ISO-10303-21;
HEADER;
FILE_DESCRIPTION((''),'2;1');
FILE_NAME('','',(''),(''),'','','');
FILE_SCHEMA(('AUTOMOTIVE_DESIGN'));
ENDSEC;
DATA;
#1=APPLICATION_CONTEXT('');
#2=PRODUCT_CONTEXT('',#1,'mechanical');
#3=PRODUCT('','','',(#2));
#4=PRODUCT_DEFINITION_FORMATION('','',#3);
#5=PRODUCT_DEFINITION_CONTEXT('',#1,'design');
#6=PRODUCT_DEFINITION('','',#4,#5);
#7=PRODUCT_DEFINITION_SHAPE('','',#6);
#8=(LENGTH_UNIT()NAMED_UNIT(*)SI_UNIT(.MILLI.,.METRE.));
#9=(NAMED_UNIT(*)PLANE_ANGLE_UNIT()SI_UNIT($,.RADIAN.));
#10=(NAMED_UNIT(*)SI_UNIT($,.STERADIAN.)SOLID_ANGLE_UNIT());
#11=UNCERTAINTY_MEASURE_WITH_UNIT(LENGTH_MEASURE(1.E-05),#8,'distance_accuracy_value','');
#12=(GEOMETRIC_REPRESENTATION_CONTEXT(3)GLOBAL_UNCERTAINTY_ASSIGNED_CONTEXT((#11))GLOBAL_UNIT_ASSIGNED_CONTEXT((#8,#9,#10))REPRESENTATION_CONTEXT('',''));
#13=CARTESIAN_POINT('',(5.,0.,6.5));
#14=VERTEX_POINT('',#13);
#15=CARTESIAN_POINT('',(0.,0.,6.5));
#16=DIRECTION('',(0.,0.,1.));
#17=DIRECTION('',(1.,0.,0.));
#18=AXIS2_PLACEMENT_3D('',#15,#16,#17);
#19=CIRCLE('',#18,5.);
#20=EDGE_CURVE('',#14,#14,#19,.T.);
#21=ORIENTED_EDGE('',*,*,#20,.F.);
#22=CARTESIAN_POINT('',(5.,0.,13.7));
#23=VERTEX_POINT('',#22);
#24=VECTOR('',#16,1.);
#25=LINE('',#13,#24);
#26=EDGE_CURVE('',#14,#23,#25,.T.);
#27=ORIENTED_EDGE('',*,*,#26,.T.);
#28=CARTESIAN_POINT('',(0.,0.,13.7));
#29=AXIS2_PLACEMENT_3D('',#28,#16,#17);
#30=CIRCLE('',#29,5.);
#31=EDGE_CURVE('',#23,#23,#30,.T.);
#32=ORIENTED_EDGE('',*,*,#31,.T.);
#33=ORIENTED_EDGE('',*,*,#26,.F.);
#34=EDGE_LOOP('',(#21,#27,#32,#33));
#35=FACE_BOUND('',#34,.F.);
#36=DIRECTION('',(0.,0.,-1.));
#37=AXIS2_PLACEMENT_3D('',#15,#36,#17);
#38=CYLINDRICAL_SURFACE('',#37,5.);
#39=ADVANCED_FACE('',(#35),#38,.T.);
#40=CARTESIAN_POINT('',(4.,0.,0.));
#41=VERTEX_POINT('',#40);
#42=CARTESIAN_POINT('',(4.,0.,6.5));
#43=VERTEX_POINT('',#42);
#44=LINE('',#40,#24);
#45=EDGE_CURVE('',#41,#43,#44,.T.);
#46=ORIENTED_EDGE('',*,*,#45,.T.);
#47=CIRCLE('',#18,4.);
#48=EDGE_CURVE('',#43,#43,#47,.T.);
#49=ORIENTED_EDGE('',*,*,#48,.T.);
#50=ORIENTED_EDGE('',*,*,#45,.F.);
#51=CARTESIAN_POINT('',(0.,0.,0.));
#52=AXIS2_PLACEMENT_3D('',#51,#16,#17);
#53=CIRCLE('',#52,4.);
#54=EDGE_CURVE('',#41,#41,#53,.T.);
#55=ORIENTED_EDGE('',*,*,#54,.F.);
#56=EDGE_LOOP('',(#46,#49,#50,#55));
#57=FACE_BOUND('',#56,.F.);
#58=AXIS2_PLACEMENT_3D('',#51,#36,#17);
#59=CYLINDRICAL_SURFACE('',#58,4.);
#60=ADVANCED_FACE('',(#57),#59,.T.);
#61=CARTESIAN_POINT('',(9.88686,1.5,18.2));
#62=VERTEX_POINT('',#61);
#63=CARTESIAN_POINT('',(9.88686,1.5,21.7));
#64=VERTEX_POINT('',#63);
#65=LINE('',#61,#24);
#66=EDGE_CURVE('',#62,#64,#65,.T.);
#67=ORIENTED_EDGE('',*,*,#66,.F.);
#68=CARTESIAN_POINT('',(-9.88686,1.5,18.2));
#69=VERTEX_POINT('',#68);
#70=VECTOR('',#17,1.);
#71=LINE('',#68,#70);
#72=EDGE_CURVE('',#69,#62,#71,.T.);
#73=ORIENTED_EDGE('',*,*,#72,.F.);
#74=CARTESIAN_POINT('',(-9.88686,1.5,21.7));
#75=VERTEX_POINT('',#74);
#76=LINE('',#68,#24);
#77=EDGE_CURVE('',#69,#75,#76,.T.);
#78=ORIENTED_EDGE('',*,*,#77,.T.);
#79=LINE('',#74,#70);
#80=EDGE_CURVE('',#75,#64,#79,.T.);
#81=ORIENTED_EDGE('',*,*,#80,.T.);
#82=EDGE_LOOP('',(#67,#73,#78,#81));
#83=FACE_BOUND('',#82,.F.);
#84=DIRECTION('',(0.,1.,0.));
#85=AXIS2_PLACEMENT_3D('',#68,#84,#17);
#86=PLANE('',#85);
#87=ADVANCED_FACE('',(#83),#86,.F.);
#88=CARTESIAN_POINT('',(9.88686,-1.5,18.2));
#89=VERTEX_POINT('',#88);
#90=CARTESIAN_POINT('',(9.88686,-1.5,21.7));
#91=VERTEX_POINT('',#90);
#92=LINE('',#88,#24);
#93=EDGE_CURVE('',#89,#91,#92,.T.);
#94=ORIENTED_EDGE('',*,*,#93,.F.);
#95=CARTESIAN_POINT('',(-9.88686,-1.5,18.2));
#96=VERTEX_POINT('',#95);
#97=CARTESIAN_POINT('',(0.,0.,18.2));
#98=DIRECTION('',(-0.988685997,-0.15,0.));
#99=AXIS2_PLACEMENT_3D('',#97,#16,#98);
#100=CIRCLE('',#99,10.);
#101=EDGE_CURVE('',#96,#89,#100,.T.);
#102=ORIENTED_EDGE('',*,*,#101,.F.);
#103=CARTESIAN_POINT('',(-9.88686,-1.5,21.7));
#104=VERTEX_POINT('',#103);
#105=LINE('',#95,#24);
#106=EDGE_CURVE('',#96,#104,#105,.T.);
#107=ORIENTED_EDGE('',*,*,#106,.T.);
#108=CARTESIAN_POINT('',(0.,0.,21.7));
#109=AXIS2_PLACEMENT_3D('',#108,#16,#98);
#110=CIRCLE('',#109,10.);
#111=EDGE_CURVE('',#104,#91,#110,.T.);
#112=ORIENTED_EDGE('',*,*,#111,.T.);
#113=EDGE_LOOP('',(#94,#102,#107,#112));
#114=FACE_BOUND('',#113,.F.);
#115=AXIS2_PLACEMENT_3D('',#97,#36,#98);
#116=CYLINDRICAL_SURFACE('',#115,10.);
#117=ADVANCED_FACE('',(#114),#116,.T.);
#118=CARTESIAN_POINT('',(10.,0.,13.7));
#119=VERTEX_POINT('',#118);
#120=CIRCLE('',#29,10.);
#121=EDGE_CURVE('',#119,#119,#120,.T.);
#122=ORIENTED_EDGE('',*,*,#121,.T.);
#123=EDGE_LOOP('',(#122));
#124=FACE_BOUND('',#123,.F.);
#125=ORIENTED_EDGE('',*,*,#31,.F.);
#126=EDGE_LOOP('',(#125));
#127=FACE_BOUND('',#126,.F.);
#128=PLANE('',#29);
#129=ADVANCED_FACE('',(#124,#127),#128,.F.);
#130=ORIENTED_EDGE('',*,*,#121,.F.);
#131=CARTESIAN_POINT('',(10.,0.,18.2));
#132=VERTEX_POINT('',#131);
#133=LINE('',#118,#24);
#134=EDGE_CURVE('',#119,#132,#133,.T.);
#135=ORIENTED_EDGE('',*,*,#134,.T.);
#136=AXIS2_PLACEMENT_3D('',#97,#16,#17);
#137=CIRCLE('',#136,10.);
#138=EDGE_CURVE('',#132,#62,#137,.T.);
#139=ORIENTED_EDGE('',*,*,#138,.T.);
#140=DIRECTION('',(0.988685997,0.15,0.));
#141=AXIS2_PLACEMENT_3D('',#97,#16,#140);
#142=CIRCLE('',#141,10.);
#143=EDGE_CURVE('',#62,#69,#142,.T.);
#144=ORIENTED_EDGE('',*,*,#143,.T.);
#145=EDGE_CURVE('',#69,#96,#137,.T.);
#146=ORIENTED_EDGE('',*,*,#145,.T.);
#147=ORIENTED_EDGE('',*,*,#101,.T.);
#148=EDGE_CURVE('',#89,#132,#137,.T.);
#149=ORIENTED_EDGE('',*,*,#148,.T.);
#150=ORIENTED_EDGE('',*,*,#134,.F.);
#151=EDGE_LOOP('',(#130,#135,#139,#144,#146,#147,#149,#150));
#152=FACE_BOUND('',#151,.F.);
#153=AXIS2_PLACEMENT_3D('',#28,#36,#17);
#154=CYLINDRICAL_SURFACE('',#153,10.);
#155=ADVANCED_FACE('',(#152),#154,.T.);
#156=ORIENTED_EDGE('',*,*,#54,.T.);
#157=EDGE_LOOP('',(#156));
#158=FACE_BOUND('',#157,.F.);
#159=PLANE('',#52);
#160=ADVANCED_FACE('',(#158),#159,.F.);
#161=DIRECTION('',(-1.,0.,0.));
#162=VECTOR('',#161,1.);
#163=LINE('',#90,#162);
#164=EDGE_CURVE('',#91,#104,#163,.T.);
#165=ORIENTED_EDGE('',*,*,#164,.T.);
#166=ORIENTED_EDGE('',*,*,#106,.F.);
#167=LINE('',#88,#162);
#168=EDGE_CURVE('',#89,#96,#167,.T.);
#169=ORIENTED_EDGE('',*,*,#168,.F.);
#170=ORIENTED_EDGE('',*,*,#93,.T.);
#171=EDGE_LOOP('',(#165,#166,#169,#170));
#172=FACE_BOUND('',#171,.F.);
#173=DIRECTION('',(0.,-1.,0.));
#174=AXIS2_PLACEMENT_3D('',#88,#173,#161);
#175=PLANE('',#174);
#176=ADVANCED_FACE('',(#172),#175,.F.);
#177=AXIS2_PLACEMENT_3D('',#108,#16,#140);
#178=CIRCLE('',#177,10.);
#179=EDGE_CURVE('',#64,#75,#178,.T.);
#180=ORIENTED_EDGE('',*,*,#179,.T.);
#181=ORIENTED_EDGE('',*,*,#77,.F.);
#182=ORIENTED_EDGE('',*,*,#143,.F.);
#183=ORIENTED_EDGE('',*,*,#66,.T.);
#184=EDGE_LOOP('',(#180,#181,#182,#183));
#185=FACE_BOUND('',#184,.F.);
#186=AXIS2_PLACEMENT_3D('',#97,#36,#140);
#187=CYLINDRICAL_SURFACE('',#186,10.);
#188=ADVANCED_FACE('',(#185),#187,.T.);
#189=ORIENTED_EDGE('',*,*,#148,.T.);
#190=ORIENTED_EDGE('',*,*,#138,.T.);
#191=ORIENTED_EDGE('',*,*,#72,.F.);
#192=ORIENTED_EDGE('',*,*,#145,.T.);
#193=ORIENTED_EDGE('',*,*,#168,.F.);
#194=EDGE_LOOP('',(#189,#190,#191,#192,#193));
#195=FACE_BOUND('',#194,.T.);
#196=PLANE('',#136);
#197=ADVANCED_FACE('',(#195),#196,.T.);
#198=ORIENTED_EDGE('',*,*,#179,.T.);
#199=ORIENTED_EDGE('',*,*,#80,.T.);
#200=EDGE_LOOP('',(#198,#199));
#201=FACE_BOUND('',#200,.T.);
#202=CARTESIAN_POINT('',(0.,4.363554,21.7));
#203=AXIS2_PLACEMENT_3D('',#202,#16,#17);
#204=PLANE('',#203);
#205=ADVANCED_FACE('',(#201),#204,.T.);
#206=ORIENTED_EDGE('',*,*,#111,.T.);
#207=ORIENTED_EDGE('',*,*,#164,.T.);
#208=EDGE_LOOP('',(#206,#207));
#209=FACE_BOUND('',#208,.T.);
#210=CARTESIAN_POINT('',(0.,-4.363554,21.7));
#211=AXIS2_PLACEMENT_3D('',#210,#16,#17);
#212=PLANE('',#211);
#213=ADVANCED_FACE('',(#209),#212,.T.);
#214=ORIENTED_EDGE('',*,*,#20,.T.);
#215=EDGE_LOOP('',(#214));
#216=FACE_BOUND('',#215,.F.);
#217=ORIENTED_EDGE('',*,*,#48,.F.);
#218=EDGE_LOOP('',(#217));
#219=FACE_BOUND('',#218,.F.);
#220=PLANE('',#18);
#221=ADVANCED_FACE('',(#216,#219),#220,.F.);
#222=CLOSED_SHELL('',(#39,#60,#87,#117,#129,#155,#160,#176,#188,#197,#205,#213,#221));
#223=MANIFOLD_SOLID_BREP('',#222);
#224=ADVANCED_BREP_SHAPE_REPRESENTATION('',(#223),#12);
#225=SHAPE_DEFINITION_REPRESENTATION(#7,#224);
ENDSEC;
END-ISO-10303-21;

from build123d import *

# Parameters (mm, degrees)
F0_R     = 4
F1_DEPTH = 6.5
F2_R     = 5
F3_DEPTH = 7.2
F4_R     = 10
F5_DEPTH = 4.5
F7_DEPTH = 3.5


with BuildPart() as f1:
    # F0 (on Top) → F1 (new body)
    with BuildSketch(Plane.XY):
        Circle(F0_R)
    extrude(amount=F1_DEPTH)

    # F2 (on face) → F3 (join)
    with BuildSketch(Plane.XY.offset(6.5)):
        Circle(F2_R)
    extrude(amount=F3_DEPTH)

    # F4 (on face) → F5 (join)
    with BuildSketch(Plane.XY.offset(13.7)):
        Circle(F4_R)
    extrude(amount=F5_DEPTH)

    # F6 (on face) → F7 (join)
    with BuildSketch(Plane.XY.offset(18.2)):
        with BuildLine():
            ThreePointArc((-9.8868599666, -1.5), (0, -10), (9.8868599666, -1.5))
            Line((9.8868599666, -1.5), (-9.8868599666, -1.5))
        make_face()
        with BuildLine():
            Line((-9.8868599666, 1.5), (9.8868599666, 1.5))
            ThreePointArc((9.8868599666, 1.5), (0, 10), (-9.8868599666, 1.5))
        make_face()
    extrude(amount=F7_DEPTH)


solid = f1.part
